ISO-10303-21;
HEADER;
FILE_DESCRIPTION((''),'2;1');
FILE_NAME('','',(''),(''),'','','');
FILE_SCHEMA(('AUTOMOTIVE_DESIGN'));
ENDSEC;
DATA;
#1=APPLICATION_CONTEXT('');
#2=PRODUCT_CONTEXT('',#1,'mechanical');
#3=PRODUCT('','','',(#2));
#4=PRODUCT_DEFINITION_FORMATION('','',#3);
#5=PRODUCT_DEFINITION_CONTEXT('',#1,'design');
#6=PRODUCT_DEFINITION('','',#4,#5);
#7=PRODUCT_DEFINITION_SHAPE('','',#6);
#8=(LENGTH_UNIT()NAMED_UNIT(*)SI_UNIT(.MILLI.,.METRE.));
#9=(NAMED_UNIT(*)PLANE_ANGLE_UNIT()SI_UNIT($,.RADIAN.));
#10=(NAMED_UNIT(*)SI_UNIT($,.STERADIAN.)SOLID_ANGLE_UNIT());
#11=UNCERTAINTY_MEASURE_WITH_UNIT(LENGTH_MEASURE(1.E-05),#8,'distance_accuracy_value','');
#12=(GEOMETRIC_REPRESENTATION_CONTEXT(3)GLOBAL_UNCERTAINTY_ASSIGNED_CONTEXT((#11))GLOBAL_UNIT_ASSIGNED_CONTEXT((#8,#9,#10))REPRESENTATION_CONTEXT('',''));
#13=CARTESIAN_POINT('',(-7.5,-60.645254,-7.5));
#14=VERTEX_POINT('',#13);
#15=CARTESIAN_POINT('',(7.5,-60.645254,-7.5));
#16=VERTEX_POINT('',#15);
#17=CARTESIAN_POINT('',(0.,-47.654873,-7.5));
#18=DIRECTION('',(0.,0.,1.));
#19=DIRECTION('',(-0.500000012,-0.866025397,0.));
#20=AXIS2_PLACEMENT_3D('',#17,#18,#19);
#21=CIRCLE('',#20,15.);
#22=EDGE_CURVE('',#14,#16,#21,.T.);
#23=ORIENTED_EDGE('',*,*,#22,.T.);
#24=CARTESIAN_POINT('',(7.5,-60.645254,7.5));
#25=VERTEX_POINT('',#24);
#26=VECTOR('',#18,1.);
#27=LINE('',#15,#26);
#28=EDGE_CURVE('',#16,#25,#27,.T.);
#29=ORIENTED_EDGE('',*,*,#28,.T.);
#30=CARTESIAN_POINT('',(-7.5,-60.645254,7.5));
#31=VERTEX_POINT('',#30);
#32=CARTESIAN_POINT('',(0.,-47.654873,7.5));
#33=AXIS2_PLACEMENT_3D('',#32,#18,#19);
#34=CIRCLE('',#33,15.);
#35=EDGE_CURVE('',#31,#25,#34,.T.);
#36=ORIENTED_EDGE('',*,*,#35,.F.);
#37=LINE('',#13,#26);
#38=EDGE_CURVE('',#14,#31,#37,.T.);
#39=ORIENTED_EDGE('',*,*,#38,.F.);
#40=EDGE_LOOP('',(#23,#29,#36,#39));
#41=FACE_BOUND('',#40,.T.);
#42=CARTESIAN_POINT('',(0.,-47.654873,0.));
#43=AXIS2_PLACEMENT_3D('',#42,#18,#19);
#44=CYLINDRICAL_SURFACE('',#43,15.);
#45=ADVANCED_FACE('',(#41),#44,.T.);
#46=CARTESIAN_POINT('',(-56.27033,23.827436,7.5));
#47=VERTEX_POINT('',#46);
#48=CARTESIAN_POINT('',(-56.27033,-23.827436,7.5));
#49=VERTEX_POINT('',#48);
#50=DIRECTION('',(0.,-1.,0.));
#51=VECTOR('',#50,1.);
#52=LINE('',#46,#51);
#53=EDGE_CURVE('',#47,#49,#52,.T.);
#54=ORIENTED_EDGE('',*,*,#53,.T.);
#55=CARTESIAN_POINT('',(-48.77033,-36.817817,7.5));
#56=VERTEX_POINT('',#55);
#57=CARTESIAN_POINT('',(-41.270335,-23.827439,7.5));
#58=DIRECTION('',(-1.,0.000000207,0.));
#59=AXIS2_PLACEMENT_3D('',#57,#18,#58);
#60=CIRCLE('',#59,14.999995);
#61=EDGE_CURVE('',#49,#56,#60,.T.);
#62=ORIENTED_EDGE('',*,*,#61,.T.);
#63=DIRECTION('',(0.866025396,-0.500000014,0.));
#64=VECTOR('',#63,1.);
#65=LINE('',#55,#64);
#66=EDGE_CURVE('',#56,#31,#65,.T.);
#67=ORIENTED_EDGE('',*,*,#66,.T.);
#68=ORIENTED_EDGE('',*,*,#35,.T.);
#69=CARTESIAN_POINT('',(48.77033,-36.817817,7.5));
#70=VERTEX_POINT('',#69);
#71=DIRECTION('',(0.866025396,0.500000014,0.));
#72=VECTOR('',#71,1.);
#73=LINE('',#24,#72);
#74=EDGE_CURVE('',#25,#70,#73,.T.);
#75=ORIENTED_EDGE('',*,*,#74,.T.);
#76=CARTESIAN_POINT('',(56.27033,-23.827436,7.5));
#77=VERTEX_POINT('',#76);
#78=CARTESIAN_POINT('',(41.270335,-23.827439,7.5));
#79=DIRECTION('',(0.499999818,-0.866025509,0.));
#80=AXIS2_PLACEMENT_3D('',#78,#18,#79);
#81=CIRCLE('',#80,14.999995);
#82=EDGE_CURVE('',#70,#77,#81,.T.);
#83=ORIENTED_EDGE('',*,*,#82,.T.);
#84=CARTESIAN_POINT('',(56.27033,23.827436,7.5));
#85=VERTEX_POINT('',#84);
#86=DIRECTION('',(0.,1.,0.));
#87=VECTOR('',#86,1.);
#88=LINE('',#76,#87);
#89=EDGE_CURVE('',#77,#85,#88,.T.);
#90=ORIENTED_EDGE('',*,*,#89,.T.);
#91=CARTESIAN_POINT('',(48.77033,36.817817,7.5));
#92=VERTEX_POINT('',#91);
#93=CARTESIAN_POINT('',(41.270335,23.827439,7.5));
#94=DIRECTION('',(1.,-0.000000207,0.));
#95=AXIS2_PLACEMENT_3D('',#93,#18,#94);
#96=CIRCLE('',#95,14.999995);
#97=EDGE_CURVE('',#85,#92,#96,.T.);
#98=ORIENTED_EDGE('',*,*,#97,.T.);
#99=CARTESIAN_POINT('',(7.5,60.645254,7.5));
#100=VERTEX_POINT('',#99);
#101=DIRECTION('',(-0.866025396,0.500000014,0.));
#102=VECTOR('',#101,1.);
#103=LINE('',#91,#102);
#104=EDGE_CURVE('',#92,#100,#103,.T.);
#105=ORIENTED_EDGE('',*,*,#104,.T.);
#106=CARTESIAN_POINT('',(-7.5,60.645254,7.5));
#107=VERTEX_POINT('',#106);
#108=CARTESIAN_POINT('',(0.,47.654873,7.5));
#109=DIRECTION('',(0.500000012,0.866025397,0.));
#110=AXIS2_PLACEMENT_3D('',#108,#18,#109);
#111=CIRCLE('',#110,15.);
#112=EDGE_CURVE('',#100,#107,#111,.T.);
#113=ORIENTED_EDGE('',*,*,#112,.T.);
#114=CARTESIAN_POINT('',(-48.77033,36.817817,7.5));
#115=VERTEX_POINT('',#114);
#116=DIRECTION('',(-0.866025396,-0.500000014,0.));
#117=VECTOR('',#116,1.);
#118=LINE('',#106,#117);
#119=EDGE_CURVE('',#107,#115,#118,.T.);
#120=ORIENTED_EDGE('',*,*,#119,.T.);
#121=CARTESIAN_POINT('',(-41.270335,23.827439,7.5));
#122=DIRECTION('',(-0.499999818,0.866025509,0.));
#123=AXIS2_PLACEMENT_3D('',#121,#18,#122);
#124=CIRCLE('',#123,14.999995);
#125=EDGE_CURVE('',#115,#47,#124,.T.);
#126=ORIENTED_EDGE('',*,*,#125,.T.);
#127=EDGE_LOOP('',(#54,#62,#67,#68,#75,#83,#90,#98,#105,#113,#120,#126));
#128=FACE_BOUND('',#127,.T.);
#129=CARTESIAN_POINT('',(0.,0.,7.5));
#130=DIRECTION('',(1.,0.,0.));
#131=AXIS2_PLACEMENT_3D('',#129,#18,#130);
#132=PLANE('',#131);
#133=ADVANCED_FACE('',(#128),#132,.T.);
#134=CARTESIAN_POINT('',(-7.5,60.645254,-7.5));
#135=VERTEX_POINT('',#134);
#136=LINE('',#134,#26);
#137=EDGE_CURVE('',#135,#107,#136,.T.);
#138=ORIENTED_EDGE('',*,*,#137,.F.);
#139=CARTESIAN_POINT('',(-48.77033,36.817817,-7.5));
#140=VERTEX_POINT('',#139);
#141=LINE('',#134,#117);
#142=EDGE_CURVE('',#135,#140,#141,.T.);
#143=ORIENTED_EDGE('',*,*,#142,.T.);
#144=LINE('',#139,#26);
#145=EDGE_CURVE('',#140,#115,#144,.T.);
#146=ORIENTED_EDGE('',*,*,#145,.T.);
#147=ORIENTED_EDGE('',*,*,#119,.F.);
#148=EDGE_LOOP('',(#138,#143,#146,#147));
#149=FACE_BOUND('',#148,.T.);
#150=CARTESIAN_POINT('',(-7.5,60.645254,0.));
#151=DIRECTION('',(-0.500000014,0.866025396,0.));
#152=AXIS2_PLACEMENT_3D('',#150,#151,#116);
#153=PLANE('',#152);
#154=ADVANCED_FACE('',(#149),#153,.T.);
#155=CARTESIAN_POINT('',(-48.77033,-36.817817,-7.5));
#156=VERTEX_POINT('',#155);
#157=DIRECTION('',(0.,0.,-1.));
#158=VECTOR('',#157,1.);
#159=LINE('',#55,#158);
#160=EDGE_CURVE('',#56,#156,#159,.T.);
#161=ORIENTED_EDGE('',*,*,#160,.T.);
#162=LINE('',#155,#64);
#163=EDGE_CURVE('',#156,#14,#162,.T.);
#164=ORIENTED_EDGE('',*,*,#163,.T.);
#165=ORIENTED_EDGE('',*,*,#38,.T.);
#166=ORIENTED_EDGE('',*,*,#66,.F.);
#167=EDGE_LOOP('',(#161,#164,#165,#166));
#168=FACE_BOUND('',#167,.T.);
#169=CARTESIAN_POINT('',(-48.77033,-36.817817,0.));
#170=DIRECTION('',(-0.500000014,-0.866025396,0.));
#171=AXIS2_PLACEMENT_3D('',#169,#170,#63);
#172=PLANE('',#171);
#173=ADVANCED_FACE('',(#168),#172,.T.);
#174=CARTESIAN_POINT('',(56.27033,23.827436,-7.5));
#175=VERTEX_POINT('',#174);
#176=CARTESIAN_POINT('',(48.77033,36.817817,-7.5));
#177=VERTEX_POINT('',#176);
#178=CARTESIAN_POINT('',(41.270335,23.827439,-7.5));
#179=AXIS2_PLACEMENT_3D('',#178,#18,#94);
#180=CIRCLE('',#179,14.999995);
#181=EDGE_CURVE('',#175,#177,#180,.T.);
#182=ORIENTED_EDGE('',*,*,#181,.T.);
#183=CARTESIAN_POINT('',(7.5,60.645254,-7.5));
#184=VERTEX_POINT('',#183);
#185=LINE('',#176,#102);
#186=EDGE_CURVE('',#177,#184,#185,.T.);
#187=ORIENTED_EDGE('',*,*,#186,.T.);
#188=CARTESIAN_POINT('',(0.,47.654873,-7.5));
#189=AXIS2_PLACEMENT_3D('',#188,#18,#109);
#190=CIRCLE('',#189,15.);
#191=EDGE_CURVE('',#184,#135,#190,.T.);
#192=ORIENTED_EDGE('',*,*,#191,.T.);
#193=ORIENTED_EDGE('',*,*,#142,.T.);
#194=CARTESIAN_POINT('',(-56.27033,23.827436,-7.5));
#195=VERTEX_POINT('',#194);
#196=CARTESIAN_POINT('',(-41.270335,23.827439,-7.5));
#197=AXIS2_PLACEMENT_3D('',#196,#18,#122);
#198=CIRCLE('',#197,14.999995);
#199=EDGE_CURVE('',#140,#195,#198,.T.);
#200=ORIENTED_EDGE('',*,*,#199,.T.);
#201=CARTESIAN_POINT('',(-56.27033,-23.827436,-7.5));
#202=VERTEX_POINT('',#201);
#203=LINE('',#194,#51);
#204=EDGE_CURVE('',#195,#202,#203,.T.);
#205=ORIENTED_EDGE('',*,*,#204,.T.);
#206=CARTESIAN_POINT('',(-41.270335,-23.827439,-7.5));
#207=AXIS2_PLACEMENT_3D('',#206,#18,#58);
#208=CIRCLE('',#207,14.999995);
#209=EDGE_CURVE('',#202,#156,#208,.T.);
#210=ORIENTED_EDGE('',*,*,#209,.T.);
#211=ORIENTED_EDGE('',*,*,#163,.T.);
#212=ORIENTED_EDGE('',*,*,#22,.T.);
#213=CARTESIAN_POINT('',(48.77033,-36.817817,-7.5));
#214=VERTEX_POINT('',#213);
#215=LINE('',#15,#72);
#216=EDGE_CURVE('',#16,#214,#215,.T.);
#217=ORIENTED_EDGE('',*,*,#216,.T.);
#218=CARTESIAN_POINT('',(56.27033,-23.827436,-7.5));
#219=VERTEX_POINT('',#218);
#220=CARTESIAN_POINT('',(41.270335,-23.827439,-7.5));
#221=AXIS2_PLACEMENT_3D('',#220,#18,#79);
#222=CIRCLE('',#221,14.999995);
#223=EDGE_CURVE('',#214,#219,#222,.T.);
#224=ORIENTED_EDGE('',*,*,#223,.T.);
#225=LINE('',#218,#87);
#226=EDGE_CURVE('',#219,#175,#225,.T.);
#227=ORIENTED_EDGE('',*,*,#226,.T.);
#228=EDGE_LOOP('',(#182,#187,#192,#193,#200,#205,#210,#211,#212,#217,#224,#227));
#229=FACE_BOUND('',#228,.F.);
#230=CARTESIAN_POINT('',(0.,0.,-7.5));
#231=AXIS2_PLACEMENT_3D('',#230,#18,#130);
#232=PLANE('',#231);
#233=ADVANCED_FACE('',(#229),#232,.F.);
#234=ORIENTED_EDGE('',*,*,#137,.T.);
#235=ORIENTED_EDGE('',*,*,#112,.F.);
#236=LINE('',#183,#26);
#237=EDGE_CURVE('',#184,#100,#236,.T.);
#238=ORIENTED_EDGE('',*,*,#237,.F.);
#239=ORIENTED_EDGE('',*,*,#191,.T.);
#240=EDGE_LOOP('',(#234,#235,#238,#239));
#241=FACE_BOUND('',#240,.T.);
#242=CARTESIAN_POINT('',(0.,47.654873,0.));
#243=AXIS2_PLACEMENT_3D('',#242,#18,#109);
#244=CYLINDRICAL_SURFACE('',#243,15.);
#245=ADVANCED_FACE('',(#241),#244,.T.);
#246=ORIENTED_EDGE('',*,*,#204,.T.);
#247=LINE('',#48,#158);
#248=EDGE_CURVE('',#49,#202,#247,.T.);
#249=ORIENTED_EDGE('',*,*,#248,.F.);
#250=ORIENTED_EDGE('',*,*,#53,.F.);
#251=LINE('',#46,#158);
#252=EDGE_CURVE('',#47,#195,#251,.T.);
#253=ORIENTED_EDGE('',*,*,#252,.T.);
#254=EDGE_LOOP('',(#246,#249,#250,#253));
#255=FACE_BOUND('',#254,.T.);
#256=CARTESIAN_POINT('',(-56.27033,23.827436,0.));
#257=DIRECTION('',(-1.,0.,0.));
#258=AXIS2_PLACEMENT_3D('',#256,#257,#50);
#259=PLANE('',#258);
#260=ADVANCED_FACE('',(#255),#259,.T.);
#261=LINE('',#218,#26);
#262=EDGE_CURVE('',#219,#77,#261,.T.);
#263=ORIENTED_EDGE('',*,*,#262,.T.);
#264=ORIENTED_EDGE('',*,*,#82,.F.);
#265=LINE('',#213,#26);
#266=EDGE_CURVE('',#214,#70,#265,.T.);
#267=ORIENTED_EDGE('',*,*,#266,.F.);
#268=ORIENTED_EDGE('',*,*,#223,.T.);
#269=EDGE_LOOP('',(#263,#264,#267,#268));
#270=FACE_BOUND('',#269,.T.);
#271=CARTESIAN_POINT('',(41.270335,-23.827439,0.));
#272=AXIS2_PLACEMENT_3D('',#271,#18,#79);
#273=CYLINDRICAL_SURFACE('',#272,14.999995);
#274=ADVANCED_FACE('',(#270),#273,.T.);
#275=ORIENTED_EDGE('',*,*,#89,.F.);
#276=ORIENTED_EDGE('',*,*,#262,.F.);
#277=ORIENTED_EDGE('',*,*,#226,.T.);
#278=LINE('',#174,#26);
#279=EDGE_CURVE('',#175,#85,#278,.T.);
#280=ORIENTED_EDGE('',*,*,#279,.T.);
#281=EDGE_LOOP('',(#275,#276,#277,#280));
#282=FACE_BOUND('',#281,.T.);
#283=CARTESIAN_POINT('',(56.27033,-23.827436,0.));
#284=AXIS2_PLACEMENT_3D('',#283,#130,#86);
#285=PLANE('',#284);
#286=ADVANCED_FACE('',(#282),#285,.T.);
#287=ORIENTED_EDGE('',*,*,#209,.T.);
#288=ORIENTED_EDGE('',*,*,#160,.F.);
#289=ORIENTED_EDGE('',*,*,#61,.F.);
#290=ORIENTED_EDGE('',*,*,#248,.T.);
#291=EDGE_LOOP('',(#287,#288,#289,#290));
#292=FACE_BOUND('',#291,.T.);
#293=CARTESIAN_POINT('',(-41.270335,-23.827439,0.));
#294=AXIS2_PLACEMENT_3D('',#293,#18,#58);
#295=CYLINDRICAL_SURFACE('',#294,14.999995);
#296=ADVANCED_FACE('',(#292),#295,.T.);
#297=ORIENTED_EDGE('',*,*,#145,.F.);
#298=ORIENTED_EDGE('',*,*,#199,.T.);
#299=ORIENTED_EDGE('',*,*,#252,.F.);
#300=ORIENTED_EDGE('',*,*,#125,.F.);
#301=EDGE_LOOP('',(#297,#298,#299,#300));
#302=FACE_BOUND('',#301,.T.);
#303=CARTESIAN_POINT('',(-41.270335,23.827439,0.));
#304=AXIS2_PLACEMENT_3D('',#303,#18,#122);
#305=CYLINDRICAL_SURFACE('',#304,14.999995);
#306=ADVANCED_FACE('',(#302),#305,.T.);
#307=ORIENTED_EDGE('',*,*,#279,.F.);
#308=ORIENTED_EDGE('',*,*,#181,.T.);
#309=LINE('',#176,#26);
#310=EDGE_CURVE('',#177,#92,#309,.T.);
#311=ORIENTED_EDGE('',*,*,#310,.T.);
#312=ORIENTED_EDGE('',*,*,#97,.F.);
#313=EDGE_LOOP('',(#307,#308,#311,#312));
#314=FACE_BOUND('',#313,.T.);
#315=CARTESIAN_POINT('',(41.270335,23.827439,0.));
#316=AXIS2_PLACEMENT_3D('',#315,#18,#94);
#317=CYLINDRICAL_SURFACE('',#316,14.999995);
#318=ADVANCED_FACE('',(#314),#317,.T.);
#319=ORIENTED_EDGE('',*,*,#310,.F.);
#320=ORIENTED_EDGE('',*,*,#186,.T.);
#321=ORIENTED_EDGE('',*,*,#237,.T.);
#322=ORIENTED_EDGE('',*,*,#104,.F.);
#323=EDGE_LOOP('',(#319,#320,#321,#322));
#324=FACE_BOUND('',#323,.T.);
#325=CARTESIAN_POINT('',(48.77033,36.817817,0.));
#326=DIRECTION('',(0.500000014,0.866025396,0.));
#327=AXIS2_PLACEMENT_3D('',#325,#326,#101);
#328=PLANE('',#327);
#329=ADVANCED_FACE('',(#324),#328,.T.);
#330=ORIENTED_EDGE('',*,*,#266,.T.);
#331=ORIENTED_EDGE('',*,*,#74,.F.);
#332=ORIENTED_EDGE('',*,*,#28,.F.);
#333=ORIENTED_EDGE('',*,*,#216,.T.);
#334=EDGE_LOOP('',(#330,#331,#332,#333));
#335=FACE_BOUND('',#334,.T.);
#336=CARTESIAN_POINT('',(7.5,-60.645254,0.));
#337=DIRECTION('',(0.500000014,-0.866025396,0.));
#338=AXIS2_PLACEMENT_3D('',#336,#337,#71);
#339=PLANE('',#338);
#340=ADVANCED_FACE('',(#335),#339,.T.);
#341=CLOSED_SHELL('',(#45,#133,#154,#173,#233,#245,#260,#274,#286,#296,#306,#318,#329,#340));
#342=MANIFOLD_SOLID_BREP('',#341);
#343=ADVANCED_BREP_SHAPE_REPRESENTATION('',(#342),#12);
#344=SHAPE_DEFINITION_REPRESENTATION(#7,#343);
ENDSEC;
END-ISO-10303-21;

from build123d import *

# Parameters (mm, degrees)
F1_DEPTH = 7.5


with BuildPart() as f1:
    # F0 (on Top) → F1 (new body, symmetric)
    with BuildSketch(Plane.XY):
        with BuildLine():
            Line((-48.77033, -36.817817), (-7.5, -60.645254))
            ThreePointArc((-7.5, -60.645254), (0, -62.654873), (7.5, -60.645254))
            Line((7.5, -60.645254), (48.77033, -36.817817))
            ThreePointArc((48.77033, -36.817817), (54.260712, -31.327436), (56.27033, -23.827436))
            Line((56.27033, -23.827436), (56.27033, 23.827436))
            ThreePointArc((56.27033, 23.827436), (54.260712, 31.327436), (48.77033, 36.817817))
            Line((48.77033, 36.817817), (7.5, 60.645254))
            ThreePointArc((7.5, 60.645254), (0, 62.654873), (-7.5, 60.645254))
            Line((-7.5, 60.645254), (-48.77033, 36.817817))
            ThreePointArc((-48.77033, 36.817817), (-54.260712, 31.327436), (-56.27033, 23.827436))
            Line((-56.27033, 23.827436), (-56.27033, -23.827436))
            ThreePointArc((-56.27033, -23.827436), (-54.260712, -31.327436), (-48.77033, -36.817817))
        make_face()
    extrude(amount=F1_DEPTH, both=True)


solid = f1.part
